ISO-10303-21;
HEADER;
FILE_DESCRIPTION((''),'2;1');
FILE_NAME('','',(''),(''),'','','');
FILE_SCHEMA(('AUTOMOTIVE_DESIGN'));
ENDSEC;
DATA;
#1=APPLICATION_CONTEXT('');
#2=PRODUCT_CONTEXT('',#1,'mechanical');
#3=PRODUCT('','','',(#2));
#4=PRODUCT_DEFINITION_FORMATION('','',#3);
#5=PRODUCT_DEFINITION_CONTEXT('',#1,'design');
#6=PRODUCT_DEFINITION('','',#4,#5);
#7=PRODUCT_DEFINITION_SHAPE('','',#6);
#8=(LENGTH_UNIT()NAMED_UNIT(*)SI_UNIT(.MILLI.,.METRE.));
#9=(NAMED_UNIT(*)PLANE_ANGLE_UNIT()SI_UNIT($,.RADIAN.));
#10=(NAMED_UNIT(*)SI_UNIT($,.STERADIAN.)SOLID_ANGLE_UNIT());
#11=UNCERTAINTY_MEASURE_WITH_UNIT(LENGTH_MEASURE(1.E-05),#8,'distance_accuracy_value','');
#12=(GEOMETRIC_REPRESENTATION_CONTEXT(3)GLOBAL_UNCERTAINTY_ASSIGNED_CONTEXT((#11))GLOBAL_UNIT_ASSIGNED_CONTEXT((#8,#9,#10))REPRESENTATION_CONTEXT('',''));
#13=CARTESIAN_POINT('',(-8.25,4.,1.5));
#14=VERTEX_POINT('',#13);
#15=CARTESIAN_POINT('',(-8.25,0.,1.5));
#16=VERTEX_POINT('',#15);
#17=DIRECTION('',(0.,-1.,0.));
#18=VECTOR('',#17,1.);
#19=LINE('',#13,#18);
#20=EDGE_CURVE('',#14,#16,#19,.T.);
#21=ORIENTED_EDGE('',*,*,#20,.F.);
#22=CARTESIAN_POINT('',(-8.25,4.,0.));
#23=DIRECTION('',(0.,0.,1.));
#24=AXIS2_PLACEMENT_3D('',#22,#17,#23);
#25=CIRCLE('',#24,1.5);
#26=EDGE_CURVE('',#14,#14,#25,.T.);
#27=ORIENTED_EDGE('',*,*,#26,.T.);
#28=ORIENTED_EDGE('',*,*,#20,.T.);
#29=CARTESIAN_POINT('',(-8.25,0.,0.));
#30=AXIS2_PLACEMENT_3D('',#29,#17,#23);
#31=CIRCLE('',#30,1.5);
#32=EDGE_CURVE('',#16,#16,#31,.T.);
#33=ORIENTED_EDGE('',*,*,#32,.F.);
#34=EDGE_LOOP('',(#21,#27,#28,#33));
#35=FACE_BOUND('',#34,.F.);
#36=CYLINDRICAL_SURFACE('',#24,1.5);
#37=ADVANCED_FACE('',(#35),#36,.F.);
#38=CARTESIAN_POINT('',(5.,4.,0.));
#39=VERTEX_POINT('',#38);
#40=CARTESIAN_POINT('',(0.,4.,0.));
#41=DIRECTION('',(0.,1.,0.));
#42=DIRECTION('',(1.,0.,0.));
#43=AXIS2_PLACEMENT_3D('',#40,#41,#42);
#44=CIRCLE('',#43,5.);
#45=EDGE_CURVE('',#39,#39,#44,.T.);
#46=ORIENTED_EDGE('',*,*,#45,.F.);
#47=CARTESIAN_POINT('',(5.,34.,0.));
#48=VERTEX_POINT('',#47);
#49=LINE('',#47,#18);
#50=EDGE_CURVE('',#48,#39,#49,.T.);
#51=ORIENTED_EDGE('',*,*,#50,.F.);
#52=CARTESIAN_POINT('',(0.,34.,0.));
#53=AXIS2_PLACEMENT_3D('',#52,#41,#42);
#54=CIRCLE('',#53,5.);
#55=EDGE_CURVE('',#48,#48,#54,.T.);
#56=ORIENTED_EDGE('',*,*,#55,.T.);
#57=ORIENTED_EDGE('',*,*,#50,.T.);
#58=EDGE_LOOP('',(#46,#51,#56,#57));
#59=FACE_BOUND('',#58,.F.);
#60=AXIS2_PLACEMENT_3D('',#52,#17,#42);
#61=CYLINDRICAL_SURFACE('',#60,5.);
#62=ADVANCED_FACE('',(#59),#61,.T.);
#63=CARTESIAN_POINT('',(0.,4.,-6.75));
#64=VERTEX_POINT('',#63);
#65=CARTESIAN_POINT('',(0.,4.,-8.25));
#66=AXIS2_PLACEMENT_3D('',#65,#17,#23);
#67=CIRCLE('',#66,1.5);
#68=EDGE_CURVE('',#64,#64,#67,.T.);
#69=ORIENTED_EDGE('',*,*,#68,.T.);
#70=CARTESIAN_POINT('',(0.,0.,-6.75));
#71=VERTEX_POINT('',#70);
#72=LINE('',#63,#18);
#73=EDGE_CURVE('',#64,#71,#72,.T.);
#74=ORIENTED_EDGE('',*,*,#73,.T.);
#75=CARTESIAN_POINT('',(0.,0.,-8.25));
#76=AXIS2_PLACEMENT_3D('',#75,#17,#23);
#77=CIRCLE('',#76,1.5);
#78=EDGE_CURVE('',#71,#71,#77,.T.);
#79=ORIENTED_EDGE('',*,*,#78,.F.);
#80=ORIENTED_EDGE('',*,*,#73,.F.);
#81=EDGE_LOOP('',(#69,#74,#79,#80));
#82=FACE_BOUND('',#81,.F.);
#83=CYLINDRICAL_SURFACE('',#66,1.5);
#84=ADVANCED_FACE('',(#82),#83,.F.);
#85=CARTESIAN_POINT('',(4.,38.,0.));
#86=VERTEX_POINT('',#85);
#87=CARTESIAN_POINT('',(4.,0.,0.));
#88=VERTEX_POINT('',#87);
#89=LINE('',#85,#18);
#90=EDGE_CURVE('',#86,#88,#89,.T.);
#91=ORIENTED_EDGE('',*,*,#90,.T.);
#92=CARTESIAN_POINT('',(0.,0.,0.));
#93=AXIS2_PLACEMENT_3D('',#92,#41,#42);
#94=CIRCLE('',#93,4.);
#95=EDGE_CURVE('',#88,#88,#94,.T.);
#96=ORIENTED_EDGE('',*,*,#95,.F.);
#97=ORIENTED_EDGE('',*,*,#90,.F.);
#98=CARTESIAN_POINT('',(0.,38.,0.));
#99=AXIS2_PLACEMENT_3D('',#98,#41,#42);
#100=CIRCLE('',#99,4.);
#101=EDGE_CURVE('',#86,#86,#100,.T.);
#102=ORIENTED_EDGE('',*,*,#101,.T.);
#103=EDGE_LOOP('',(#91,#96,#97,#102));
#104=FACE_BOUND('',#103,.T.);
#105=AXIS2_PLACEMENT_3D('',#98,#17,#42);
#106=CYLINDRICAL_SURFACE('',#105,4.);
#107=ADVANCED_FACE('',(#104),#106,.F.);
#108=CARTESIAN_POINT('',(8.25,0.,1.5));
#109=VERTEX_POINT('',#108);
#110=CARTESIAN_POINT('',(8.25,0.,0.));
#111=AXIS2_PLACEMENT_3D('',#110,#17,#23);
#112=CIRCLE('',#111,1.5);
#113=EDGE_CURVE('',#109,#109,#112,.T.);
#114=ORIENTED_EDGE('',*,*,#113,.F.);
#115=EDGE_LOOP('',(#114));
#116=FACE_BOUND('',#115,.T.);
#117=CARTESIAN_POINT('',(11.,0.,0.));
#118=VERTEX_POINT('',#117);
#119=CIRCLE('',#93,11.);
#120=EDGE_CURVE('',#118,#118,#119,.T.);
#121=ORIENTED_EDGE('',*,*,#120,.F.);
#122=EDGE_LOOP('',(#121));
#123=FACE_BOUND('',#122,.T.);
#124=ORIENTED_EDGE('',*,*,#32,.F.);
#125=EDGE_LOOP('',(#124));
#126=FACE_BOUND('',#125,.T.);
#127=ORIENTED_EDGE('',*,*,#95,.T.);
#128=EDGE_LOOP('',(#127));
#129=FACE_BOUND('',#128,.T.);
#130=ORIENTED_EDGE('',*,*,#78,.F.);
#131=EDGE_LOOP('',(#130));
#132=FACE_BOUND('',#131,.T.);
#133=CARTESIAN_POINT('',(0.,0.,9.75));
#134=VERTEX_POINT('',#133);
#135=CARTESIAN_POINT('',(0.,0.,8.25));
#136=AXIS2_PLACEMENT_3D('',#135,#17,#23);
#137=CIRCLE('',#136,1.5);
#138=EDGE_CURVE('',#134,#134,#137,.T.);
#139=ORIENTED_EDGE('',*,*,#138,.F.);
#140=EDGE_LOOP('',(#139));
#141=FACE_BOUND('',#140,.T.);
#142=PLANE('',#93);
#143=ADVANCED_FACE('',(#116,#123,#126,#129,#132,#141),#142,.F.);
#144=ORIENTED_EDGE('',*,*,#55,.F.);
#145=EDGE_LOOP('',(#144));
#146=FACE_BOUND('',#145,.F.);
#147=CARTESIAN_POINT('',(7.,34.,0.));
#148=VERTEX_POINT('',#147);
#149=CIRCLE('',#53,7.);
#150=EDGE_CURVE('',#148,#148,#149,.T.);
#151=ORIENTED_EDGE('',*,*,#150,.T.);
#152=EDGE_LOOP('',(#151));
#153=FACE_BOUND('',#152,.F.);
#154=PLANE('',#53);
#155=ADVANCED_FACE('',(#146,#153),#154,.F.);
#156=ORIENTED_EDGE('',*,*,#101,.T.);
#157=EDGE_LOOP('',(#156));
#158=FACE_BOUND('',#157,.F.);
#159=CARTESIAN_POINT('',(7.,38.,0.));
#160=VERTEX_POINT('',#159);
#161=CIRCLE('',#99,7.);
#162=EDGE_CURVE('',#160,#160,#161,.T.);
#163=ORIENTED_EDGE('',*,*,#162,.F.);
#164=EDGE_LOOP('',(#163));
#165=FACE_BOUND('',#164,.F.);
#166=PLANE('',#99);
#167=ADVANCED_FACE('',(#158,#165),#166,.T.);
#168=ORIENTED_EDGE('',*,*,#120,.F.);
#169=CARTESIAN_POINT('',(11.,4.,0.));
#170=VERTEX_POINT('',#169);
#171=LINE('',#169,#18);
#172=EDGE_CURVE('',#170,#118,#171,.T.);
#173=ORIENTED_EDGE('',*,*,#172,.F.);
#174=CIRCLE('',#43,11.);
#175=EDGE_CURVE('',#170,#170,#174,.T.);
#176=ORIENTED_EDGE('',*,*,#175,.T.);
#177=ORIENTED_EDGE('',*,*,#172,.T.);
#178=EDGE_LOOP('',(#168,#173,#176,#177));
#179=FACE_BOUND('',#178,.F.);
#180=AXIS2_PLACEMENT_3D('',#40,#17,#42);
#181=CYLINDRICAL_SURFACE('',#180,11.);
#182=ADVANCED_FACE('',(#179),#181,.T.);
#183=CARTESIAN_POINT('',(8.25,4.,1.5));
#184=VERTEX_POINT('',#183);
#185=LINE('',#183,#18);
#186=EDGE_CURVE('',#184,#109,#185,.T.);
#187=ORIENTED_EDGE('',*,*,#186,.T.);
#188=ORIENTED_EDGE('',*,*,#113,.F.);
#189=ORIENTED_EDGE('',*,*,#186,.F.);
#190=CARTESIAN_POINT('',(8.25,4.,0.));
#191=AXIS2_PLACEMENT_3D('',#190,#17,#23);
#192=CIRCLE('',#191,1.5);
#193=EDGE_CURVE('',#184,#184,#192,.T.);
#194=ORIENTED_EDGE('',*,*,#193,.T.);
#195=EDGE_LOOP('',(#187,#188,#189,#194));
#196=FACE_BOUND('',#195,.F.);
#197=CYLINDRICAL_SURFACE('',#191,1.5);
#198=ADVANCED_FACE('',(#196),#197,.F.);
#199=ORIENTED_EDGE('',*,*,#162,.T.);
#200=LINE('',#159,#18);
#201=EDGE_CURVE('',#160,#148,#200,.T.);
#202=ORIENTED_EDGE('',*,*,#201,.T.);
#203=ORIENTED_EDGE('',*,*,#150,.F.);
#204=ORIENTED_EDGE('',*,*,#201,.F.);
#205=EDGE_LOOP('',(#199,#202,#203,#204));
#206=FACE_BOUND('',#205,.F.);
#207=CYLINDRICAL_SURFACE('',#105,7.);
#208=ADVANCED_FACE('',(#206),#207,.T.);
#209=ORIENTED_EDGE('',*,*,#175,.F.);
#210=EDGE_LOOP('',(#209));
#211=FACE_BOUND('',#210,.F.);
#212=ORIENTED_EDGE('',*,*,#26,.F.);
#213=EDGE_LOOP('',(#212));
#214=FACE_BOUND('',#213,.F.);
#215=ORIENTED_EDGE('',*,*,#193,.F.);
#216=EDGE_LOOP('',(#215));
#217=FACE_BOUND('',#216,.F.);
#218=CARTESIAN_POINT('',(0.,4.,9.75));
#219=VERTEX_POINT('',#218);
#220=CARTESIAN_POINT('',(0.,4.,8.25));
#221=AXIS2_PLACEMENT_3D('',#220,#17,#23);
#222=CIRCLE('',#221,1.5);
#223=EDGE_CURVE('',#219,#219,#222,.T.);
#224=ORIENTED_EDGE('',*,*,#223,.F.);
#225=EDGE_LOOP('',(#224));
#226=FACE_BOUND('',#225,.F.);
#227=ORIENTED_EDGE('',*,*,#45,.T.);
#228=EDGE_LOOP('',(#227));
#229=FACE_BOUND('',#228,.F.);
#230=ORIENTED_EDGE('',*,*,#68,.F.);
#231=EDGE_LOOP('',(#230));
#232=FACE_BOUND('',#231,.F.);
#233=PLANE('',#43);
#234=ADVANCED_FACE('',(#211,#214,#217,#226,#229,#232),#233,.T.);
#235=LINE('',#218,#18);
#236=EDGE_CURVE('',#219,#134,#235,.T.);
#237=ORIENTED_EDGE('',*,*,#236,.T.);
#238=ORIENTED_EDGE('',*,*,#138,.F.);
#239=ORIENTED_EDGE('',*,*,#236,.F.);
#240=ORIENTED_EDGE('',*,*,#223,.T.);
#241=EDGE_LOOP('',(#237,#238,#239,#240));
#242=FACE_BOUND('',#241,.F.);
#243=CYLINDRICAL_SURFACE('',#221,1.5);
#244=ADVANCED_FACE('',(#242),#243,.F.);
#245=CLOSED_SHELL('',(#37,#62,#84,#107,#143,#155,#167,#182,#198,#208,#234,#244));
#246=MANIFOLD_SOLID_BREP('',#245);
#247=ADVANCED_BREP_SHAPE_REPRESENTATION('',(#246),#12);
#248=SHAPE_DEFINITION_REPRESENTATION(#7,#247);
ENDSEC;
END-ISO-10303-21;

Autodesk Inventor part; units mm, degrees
ref_plane "YZ Plane" through (0, 0, 0) normal (1, 0, 0) x (0, 1, 0)
ref_plane "XZ Plane" through (0, 0, 0) normal (0, 1, 0) x (-1, 0, 0)
ref_plane "XY Plane" through (0, 0, 0) normal (0, 0, 1) x (1, 0, 0)
sketch "Sketch1" plane through (0, 0, 0) normal (0, 0, 1) x (1, 0, 0)
  line L0 (7, 38) -> (7, 34)
  line L1 (7, 34) -> (5, 34)
  line L2 (5, 34) -> (5, 4)
  line L3 (5, 4) -> (11, 4)
  line L4 (11, 4) -> (11, 0)
  line L5 (4, 38) -> (4, 0)
  line L6 (4, 38) -> (7, 38)
  line L7 (4, 0) -> (11, 0)
  line L8 (-2.2, 0) -> (13.2, 0) projected
  line L9 (0, -7.6) -> (0, 45.6) projected
  point P0 (0, 0)
  dimension "d9" = 8
  dimension "d10" = 14
  dimension "d11" = 22
  dimension "d12" = 10
  dimension "d13" = 4
  dimension "d14" = 4
  dimension "d15" = 38
revolve "Revolution2" add sketch "Sketch1" angle 360 about axis through (0, -10, 0) along (0, 1, 0)
thread "Thread2" size "M10x1.5" class "6g" standard "ANSI Metric M Profile" full length
sketch "Sketch2" plane through (0, 4, 0) normal (0, 1, 0) x (1, 0, 0)
  circle A0 centre (0, 0) radius 8.25
  line L0 (-15.4, 0) -> (15.4, 0) projected
  line L1 (0, 15.4) -> (0, -15.4) projected
  point P0 (-8.25, 0)
  point P1 (0, -8.25)
  point P2 (0, 8.25)
  point P3 (8.25, 0)
  dimension "d19" = 16.5
hole "Hole1" at (-8.25, 4, 0) at (0, 4, 8.25) at (0, 4, -8.25) at (8.25, 4, 0) direction (0, -1, 0) diameter 3 depth 8 tip angle 118
properties part number "tuerca anti backlash"
